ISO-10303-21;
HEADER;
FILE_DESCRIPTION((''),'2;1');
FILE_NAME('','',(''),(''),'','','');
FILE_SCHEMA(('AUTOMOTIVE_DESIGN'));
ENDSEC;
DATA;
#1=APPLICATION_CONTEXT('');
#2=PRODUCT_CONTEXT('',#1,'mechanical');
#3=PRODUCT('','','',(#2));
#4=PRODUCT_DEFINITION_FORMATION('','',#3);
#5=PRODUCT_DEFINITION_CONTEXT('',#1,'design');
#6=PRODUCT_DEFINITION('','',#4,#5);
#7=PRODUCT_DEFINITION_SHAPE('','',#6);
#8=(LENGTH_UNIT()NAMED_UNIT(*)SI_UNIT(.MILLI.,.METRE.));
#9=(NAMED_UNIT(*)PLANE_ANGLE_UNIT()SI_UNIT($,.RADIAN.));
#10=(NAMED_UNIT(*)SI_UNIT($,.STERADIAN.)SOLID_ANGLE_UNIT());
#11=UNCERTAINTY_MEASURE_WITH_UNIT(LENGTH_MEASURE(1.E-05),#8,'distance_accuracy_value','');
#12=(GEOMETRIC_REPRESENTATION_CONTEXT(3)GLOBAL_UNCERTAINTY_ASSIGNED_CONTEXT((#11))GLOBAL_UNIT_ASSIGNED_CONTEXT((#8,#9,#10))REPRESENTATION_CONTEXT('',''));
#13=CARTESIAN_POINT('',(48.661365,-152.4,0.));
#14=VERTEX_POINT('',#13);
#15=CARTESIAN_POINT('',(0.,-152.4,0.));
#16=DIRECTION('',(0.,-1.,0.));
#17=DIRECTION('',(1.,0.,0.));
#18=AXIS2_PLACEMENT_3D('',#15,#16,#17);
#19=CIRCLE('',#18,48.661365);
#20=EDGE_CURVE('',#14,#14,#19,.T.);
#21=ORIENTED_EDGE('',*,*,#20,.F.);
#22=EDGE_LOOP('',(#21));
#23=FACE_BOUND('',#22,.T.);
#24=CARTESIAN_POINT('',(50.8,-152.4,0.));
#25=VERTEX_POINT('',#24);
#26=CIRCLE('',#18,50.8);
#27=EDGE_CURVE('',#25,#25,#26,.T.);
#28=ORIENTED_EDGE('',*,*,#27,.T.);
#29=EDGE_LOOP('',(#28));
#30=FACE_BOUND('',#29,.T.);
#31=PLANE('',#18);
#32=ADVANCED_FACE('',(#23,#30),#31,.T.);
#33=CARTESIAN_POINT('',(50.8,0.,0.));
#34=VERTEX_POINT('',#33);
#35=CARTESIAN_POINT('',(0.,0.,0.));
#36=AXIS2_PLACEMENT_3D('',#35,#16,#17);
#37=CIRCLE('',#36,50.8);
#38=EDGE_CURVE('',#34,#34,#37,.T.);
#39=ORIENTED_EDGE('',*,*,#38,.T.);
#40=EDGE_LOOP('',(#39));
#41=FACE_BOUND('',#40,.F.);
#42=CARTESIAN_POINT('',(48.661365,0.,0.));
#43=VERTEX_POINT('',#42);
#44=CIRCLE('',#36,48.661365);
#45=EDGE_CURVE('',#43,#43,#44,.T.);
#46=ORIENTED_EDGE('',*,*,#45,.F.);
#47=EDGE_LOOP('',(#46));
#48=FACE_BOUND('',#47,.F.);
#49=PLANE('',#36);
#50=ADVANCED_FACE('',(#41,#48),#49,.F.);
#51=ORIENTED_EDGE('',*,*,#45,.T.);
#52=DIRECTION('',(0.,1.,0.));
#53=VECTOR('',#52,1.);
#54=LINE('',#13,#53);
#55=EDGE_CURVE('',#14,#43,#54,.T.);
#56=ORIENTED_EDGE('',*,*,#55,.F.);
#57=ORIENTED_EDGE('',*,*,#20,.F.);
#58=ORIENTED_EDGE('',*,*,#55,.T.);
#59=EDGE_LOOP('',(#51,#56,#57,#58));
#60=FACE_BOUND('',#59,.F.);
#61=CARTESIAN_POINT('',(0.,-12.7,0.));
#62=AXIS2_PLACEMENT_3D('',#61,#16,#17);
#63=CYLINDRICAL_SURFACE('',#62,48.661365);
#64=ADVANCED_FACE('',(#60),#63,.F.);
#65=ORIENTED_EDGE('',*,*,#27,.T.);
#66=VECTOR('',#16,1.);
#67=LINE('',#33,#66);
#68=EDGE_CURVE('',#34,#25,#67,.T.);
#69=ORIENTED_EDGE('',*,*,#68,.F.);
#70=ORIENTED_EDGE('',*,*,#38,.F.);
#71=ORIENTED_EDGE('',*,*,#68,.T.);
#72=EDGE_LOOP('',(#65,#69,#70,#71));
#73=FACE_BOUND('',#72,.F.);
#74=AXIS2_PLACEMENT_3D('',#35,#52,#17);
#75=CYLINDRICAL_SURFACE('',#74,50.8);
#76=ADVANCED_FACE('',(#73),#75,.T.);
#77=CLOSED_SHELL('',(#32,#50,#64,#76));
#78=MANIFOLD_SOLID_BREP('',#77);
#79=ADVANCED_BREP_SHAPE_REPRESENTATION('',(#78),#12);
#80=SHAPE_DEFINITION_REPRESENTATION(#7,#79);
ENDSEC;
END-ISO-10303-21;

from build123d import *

# Parameters (mm, degrees)
F0_R      = 50.8
F1_DEPTH  = 152.4
F2_R      = 48.661365
F3_DEPTH  = 139.7
F3_FACE_R = 48.661365
F4_DEPTH  = 139.7


with BuildPart() as f1:
    # F0 (on Front) → F1 (new body)
    with BuildSketch(Plane.XZ):
        Circle(F0_R)
    extrude(amount=F1_DEPTH)

    # F2 (on face) → F3 (cut)
    with BuildSketch(Plane.XZ.offset(152.4)):
        Circle(F2_R)
    extrude(amount=-F3_DEPTH, mode=Mode.SUBTRACT)

    # F2 (on face) + F3_face (on face) → F4 (cut)
    with BuildSketch(Plane.XZ.offset(152.4)):
        Circle(F2_R)
    with BuildSketch(Plane.XZ.offset(12.7)):
        Circle(F3_FACE_R)
    extrude(amount=-F4_DEPTH, mode=Mode.SUBTRACT)


solid = f1.part
